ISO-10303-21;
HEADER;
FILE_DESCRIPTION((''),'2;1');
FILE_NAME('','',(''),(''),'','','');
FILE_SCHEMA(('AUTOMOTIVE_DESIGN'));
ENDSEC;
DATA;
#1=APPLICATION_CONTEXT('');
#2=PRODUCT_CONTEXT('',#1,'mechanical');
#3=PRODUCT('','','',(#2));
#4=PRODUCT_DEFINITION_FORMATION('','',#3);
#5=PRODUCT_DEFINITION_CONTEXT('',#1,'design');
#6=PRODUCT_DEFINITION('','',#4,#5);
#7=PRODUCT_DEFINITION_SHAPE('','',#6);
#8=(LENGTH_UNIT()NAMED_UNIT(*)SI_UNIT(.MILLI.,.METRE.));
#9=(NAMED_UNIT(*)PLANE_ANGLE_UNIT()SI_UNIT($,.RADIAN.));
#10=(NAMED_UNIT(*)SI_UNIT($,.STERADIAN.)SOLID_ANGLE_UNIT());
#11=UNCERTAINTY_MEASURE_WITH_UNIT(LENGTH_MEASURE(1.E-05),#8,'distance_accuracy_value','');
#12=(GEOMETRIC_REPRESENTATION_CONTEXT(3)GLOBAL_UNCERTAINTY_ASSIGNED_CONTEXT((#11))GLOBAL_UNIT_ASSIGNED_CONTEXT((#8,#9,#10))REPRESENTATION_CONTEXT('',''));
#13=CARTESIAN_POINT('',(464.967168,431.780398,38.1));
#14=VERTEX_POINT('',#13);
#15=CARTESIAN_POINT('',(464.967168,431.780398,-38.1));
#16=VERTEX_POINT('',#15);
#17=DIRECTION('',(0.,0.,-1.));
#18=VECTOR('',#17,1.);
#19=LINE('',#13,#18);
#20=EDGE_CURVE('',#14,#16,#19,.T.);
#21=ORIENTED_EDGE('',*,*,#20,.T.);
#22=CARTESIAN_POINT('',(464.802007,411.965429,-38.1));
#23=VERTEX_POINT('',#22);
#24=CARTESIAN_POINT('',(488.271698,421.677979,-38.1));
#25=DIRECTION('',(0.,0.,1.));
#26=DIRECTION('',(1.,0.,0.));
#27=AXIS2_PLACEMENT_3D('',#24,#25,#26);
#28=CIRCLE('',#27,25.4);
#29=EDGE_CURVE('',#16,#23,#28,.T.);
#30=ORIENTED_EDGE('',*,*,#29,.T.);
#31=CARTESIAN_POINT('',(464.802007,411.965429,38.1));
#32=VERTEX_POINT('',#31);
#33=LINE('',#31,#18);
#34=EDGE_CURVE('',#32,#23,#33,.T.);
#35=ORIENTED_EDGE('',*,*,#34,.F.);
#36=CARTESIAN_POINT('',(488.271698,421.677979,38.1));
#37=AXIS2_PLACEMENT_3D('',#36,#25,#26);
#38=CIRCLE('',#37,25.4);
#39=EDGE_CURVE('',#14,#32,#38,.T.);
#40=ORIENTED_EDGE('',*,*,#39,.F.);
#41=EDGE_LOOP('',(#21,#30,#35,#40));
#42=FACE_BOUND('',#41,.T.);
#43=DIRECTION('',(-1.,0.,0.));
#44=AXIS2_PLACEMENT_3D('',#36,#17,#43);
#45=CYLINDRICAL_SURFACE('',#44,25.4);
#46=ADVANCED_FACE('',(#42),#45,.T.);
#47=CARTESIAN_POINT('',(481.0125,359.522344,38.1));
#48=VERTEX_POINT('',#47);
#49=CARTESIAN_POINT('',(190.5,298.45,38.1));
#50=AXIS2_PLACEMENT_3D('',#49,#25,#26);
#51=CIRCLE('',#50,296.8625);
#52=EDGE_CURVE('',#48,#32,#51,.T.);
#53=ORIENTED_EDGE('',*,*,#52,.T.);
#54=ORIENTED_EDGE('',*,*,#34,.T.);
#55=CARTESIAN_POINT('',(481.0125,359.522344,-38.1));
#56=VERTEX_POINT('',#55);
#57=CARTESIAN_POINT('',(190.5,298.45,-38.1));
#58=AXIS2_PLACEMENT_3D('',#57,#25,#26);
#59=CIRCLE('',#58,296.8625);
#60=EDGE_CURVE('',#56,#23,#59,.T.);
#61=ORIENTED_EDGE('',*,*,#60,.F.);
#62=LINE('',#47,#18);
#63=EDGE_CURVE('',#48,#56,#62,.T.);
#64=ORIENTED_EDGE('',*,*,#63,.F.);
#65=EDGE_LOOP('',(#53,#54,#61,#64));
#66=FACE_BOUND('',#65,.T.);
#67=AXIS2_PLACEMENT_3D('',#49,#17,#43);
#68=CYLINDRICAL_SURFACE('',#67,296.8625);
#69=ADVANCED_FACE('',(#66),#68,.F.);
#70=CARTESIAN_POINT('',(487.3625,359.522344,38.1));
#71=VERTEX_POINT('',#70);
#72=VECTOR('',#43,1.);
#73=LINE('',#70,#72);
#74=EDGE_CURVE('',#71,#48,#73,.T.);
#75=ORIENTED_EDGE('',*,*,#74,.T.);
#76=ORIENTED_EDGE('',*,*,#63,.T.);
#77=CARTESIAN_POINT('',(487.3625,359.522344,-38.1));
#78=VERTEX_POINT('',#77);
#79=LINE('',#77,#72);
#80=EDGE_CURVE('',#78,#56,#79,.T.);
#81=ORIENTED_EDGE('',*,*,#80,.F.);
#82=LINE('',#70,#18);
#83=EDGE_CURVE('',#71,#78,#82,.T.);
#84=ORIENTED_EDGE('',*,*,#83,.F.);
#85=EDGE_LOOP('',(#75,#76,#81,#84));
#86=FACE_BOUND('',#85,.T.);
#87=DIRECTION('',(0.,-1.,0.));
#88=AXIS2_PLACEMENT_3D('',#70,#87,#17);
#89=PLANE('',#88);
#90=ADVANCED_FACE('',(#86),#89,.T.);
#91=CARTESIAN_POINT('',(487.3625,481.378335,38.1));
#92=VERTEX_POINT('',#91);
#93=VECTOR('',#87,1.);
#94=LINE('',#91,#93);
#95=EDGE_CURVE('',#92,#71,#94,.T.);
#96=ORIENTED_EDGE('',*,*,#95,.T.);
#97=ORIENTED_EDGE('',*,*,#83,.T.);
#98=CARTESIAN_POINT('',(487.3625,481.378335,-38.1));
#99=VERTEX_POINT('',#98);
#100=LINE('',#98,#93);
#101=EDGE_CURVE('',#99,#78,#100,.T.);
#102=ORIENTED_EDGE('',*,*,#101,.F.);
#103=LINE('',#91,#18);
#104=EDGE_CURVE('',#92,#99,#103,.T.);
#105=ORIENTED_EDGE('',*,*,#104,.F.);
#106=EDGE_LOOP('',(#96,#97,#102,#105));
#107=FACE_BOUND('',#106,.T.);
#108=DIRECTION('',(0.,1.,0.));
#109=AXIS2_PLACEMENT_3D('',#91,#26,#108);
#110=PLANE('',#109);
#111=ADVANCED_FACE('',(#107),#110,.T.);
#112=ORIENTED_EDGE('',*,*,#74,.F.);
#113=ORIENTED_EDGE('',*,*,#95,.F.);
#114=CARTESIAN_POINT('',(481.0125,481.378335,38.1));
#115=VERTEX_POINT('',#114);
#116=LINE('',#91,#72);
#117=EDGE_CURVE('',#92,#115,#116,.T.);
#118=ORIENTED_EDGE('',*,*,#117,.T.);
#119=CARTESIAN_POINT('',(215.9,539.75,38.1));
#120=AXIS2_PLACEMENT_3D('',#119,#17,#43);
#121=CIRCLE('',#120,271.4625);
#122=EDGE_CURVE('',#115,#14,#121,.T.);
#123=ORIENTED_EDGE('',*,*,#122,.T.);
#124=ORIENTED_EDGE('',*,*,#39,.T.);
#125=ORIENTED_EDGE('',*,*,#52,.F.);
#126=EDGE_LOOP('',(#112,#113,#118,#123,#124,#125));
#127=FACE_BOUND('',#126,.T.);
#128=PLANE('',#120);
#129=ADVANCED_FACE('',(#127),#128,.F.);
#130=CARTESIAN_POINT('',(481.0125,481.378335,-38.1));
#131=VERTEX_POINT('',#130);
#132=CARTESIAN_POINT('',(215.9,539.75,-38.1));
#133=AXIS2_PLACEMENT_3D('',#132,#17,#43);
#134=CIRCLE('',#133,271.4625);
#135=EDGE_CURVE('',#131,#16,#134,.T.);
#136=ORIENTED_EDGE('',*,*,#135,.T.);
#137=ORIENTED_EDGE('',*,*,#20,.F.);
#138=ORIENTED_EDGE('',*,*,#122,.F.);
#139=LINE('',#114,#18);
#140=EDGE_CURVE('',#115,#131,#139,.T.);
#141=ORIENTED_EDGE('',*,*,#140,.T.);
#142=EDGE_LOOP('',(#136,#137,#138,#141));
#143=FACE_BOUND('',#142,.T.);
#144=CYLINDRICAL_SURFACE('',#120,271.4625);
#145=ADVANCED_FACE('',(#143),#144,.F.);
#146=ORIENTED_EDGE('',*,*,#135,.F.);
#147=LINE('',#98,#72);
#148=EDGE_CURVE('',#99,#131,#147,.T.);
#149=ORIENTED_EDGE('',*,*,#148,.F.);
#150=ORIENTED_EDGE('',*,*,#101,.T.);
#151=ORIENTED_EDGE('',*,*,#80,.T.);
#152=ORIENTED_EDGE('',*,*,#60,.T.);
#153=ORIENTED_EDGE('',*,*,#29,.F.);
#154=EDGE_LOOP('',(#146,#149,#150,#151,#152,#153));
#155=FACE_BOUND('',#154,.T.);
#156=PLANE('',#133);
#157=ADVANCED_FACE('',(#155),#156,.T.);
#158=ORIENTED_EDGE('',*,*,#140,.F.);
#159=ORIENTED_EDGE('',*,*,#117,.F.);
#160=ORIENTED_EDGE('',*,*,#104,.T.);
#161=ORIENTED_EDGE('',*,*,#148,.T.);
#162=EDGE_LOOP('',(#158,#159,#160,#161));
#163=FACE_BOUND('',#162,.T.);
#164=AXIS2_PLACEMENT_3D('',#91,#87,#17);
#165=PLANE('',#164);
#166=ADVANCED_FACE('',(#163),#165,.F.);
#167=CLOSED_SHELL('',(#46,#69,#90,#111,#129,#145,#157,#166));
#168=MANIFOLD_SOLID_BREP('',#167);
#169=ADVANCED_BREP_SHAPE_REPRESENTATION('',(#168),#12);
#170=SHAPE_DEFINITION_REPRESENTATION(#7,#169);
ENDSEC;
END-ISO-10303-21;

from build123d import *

# Parameters (mm, degrees)
BOSS_EXTRUDE1_DEPTH = 38.1


with BuildPart() as part:
    # Sketch1 → Boss-Extrude1 (new body, symmetric)
    with BuildSketch(Plane.XY):
        with BuildLine():
            Line((487.3625, 481.378335213), (487.3625, 359.522344396))
            Line((487.3625, 359.522344396), (481.0125, 359.522344396))
            ThreePointArc((481.0125, 359.522344396), (474.121977685, 386.119365688), (464.802007403, 411.965429089))
            ThreePointArc((464.802007403, 411.965429089), (462.872580153, 421.889683903), (464.967167576, 431.780398065))
            ThreePointArc((464.967167576, 431.780398065), (474.183122715, 456.193328053), (481.0125, 481.378335213))
            Line((481.0125, 481.378335213), (487.3625, 481.378335213))
        make_face()
    extrude(amount=BOSS_EXTRUDE1_DEPTH, both=True)


solid = part.part
